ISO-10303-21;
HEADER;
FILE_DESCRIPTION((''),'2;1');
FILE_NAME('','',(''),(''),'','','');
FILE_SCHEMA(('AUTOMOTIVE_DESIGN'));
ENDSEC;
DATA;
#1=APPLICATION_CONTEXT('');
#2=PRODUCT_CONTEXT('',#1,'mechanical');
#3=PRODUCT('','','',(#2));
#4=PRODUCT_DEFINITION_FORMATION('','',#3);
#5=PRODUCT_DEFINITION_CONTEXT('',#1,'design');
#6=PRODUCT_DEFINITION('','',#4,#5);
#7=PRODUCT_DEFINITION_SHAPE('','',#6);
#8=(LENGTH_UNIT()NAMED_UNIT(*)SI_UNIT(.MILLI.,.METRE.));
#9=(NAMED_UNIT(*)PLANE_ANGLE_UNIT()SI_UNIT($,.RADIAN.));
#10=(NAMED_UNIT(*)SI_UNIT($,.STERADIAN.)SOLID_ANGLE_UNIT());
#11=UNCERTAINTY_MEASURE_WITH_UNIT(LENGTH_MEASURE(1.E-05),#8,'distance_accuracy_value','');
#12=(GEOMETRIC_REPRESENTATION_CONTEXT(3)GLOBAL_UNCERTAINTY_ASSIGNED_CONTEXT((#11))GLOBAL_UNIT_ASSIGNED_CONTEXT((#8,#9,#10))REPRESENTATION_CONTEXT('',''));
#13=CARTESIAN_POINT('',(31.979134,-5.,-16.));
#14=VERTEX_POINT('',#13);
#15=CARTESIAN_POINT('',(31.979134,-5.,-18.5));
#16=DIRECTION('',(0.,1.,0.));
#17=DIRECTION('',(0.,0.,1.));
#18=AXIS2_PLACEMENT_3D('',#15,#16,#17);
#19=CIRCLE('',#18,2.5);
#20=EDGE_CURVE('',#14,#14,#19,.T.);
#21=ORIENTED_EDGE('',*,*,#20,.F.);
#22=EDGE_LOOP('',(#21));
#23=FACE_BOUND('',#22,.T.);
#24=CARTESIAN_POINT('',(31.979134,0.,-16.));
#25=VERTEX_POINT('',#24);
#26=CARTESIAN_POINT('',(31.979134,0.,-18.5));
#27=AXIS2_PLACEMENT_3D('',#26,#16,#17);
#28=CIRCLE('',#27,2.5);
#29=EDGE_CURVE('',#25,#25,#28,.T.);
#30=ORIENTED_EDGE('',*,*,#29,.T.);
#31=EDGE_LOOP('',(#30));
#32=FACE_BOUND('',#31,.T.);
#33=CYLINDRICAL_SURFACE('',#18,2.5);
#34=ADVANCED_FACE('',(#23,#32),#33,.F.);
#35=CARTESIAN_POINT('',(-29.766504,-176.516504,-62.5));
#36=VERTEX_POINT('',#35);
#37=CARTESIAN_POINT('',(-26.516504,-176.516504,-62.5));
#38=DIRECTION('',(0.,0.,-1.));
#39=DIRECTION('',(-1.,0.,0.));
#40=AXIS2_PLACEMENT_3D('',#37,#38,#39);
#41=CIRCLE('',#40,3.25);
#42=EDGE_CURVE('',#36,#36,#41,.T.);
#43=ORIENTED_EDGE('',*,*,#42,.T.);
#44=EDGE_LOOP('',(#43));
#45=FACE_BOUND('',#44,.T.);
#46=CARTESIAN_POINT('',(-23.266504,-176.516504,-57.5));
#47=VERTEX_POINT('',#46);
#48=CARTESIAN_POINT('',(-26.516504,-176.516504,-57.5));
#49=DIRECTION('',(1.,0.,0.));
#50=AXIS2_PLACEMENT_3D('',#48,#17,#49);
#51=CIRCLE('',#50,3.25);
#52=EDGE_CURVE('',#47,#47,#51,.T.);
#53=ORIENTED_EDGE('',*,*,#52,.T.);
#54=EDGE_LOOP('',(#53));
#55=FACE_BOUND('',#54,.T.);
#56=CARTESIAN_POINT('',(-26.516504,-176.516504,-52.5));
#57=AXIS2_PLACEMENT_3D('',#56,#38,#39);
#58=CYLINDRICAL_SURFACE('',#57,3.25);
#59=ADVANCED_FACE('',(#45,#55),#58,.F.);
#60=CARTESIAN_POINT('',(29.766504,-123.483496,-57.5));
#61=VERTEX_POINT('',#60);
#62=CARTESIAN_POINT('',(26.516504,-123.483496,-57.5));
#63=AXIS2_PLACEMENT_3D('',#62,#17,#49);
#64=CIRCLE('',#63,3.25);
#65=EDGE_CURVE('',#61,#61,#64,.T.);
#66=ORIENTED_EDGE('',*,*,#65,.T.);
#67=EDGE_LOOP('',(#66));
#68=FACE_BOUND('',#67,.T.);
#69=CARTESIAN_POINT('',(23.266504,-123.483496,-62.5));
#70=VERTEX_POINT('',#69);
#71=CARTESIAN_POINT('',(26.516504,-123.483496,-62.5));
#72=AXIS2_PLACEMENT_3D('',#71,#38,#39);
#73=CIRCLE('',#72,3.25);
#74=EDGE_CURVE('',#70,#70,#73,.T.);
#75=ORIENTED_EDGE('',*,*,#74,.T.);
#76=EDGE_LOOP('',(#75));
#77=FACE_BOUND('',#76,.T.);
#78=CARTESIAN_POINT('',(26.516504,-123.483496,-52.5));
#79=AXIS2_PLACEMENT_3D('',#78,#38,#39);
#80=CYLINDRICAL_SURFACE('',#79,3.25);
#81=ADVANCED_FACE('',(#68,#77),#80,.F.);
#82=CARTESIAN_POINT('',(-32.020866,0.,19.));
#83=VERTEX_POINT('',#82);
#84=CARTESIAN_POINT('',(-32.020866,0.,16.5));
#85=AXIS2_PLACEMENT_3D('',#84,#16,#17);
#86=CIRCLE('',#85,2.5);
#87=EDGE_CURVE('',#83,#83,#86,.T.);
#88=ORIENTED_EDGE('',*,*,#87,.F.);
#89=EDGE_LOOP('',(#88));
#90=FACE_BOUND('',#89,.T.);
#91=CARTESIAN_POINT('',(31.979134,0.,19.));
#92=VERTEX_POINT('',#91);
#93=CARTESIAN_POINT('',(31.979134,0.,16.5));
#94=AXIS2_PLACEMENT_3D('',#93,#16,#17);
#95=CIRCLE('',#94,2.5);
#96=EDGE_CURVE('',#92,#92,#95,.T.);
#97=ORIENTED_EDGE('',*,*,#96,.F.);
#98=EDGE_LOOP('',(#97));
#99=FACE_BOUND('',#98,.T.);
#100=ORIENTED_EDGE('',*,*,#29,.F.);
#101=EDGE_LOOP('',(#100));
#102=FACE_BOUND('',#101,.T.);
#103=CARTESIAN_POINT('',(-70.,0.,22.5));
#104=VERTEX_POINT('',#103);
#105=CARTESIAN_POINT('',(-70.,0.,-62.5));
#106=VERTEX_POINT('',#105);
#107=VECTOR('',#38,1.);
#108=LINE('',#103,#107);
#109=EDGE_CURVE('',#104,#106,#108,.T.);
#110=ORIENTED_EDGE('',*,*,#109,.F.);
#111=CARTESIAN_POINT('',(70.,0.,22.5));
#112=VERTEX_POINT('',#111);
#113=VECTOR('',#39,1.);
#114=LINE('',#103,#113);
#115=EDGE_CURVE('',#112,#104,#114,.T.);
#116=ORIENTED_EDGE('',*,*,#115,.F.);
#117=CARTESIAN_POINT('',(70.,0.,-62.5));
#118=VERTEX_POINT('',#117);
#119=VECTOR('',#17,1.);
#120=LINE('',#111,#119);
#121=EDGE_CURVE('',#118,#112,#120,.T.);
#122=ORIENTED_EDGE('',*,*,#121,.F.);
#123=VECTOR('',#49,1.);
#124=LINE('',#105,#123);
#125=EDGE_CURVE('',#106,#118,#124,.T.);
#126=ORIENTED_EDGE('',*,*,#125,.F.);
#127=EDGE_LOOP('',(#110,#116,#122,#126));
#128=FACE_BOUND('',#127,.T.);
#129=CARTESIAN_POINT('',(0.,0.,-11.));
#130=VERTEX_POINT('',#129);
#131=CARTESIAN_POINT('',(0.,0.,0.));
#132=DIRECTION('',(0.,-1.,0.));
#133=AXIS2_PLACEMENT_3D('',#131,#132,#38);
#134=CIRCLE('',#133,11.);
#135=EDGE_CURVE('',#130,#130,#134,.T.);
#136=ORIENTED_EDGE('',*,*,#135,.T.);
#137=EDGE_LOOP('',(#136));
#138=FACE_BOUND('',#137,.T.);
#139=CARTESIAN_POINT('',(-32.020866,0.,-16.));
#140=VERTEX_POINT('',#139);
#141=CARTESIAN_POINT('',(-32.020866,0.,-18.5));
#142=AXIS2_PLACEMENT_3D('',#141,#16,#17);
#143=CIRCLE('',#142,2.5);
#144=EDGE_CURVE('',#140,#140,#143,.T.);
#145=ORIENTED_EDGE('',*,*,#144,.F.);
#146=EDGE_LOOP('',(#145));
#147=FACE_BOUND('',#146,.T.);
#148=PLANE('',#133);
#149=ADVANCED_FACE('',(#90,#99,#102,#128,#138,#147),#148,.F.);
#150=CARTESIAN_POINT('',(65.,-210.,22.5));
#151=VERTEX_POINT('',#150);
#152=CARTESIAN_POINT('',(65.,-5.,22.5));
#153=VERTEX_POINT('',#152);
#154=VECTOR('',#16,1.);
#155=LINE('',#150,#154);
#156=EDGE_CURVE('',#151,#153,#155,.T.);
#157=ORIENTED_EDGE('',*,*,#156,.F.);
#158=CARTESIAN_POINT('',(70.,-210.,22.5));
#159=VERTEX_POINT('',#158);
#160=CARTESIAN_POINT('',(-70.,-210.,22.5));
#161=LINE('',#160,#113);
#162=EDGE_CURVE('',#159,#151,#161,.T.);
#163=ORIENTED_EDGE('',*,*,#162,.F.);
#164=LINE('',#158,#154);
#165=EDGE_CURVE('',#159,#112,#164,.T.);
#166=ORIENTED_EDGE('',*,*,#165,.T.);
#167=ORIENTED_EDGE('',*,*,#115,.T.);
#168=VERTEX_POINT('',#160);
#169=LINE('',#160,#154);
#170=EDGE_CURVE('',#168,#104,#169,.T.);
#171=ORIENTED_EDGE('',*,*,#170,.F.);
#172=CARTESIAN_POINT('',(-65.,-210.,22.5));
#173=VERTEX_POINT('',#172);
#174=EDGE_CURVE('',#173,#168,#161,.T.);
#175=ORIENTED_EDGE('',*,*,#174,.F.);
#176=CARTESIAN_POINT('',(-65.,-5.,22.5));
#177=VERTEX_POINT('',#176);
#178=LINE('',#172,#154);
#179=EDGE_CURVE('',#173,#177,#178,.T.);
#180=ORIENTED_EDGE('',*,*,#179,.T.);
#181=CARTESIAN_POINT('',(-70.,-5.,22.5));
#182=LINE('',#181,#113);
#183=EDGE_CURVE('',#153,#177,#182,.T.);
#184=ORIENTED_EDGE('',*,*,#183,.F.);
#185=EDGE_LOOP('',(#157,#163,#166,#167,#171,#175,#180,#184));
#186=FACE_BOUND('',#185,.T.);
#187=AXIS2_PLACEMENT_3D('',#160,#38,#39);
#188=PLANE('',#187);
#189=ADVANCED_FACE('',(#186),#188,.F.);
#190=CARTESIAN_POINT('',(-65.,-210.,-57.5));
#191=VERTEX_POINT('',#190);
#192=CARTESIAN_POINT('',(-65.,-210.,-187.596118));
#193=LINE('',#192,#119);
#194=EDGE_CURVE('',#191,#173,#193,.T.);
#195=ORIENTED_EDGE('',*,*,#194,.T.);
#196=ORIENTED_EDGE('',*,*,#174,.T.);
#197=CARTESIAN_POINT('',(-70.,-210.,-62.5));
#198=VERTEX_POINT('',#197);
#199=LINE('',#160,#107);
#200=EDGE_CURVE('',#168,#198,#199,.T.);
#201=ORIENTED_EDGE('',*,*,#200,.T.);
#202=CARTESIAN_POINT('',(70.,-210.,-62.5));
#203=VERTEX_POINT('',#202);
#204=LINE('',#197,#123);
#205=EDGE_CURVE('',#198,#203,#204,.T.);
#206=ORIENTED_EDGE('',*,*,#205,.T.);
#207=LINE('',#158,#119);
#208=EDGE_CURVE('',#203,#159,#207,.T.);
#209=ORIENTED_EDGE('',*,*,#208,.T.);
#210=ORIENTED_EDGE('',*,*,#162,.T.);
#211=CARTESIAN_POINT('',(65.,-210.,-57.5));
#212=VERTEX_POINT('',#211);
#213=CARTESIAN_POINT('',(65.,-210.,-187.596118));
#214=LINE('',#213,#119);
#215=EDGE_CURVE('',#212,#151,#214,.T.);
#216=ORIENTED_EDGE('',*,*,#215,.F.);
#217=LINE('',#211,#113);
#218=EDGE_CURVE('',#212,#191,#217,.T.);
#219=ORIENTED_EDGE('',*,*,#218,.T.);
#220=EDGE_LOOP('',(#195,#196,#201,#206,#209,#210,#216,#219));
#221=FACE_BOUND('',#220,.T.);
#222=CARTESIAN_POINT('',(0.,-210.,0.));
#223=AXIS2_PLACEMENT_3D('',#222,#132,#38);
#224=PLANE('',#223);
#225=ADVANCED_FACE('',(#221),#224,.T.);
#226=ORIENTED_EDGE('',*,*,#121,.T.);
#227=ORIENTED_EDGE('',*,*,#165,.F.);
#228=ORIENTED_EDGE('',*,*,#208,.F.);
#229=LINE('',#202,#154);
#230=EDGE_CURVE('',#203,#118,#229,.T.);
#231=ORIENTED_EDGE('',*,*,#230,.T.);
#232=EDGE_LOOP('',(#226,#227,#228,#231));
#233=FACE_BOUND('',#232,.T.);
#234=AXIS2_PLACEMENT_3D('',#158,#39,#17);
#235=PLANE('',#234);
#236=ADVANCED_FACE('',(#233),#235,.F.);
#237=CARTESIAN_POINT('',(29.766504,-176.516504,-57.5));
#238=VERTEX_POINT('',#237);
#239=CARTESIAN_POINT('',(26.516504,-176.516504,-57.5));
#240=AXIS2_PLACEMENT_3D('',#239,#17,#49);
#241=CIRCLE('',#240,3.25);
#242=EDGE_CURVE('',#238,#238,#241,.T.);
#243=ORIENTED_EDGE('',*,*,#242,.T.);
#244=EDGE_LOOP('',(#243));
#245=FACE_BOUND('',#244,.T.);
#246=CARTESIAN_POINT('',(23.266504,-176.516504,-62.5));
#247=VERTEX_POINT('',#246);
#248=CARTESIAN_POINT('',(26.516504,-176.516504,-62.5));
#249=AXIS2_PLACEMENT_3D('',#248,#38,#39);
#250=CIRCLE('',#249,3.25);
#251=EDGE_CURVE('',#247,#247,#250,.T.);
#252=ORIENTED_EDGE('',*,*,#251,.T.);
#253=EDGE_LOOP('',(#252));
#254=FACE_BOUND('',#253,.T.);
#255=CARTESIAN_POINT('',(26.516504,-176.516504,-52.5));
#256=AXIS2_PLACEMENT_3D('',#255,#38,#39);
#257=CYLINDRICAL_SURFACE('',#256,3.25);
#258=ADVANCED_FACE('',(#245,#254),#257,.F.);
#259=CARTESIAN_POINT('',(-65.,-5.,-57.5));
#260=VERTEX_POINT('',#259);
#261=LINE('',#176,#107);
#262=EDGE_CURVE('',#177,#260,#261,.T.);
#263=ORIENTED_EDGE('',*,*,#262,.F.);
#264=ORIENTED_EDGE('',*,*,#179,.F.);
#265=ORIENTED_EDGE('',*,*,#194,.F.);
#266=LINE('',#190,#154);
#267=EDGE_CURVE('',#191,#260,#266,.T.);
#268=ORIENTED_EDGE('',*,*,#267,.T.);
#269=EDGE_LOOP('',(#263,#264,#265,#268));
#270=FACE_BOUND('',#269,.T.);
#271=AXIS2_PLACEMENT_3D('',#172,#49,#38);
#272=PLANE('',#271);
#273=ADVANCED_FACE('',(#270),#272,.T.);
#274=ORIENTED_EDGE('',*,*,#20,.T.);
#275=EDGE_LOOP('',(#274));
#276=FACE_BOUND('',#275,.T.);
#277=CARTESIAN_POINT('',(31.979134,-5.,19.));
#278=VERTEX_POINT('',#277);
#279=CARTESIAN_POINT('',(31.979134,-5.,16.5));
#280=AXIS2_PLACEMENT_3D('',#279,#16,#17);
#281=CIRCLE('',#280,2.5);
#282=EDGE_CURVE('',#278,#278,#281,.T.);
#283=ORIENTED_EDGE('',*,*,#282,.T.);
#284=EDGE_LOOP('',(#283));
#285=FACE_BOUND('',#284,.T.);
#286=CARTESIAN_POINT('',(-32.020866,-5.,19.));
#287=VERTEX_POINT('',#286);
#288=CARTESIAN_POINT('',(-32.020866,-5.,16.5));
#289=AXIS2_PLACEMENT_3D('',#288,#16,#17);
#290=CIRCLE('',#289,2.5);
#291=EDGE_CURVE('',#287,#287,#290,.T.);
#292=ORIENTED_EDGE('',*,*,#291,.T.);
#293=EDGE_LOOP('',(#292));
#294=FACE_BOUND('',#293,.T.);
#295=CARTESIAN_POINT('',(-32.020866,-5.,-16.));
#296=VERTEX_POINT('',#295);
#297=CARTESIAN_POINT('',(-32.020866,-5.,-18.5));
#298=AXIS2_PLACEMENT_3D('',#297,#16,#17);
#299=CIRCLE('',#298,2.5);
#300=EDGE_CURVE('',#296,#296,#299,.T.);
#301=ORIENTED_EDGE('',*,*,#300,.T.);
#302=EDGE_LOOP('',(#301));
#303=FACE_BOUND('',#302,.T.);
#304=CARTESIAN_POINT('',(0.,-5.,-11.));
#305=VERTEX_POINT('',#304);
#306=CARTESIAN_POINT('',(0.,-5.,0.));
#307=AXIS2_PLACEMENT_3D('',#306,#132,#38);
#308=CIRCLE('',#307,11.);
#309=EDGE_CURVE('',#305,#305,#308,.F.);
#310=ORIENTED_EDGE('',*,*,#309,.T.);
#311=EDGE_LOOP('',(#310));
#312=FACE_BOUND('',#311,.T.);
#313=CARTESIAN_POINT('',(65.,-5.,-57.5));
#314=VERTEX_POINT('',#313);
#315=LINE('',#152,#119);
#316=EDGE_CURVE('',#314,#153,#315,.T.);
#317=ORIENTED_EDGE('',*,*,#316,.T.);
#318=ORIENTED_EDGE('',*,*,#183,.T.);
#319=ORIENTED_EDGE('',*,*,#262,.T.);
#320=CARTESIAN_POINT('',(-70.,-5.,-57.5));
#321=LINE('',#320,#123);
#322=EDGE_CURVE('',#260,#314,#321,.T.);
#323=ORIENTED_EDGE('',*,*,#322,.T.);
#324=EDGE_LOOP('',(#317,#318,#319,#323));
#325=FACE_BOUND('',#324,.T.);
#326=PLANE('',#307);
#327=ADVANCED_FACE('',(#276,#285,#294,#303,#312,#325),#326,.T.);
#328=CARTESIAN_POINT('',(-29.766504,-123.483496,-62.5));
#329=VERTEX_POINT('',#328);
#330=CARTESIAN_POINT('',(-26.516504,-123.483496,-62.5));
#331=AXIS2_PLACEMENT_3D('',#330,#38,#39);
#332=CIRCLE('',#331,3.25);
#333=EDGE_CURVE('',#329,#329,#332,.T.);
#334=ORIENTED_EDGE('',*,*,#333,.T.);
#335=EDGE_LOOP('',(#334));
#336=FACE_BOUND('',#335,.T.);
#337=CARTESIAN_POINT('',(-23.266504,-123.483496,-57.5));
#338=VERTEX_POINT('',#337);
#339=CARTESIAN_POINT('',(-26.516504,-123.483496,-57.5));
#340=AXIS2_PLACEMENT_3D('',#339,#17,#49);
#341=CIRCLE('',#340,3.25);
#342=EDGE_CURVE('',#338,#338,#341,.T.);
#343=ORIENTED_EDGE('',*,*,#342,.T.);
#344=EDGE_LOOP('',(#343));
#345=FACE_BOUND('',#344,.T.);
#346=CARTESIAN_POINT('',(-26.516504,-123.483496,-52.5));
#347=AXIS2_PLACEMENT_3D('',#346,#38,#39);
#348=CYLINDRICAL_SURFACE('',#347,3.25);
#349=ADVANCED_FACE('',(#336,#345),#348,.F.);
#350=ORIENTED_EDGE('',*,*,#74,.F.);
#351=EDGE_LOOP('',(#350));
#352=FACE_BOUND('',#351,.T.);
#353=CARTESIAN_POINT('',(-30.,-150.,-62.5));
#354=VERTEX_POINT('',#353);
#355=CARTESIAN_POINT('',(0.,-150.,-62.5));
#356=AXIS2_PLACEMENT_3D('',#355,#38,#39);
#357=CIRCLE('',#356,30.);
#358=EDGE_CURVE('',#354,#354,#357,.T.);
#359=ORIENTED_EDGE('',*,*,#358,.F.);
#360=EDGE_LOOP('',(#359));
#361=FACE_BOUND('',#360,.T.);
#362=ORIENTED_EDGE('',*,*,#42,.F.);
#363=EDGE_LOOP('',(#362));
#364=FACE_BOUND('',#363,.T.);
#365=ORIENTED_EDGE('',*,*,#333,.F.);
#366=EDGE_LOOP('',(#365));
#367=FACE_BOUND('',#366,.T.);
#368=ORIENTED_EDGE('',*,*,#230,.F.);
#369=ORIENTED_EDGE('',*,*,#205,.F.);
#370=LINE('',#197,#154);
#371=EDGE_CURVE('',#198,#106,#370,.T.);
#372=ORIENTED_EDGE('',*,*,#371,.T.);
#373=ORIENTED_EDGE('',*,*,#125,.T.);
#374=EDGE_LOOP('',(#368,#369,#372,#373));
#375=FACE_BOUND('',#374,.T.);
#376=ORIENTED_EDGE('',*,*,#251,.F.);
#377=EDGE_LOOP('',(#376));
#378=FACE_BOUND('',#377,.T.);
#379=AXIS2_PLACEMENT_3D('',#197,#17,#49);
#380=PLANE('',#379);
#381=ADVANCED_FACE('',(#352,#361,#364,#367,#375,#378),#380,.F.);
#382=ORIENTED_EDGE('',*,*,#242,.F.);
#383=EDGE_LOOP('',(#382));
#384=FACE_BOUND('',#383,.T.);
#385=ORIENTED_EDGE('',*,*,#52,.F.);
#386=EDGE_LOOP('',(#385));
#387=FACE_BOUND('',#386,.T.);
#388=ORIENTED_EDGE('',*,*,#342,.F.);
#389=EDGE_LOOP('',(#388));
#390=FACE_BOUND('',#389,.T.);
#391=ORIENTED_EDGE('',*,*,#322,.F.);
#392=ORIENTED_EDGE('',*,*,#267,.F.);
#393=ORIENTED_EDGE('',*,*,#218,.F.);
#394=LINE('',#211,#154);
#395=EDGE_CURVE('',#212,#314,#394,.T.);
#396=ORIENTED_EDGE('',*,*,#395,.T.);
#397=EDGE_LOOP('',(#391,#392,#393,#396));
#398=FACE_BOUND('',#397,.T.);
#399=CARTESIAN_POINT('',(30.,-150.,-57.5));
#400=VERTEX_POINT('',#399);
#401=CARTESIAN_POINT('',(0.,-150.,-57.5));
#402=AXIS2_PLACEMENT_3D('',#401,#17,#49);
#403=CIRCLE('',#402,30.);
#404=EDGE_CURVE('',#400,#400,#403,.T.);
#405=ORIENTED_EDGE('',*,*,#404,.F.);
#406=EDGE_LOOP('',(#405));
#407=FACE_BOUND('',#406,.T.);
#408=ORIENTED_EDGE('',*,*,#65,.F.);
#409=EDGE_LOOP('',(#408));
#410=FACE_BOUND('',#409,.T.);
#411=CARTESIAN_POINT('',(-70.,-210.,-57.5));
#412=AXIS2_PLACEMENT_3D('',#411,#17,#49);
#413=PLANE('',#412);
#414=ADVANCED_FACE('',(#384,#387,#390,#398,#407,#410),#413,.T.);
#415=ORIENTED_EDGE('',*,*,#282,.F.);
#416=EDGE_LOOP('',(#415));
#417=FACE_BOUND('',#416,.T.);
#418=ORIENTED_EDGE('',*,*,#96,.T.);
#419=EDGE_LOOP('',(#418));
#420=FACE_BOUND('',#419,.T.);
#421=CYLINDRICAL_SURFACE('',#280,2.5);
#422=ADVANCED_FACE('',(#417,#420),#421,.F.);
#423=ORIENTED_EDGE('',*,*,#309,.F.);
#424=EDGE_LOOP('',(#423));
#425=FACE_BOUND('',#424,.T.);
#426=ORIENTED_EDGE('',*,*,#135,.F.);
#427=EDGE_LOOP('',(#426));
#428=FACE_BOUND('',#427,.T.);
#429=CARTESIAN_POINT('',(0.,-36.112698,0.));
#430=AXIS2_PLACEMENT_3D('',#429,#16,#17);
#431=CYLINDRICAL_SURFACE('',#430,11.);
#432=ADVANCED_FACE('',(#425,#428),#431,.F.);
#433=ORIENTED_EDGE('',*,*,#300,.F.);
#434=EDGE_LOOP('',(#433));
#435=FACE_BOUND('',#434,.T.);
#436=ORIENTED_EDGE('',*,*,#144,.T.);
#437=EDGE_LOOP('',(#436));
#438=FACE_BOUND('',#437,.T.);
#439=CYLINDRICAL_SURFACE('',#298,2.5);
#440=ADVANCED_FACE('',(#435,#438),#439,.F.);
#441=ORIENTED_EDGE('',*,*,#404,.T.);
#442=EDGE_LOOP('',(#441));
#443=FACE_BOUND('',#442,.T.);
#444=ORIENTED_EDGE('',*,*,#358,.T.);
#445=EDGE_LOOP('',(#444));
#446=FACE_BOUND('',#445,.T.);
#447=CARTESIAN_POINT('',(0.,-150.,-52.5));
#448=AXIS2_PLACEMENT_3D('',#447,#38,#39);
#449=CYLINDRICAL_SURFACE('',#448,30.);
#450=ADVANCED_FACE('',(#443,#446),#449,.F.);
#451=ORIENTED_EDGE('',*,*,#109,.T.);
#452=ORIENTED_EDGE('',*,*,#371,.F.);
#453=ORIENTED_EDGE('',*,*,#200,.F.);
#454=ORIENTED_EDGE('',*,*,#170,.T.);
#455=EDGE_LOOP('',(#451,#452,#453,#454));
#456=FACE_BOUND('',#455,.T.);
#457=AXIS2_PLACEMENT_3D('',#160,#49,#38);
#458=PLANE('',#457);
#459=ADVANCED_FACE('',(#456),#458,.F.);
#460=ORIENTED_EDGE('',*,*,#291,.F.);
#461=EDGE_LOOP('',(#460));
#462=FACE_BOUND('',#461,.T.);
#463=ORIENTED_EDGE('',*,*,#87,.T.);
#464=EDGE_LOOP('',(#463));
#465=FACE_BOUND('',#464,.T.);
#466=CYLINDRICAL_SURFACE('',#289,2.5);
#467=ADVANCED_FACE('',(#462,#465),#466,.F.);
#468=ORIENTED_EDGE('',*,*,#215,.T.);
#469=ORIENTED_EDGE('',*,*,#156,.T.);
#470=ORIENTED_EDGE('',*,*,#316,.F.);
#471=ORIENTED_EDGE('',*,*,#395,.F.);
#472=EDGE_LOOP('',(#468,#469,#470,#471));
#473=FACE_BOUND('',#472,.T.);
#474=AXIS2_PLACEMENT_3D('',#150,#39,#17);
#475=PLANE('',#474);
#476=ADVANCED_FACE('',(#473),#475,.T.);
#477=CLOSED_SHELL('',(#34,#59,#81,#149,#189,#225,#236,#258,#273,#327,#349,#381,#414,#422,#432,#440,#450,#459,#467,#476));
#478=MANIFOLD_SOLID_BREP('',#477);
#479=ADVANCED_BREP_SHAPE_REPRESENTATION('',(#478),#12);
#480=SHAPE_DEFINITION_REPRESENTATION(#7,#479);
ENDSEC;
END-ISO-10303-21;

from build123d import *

# Parameters (mm, degrees)
SKETCH_1_R          = 13
EXTRUDE_1_DEPTH     = 20
SKETCH_2_R          = 13
EXTRUDE_2_DEPTH     = 400
SKETCH_4_W          = 140
SKETCH_4_H          = 85
EXTRUDE_3_DEPTH     = 210
SHELL_2_T           = -5
SKETCH_5_W          = 130
SKETCH_5_H          = 5
CUT_EXTRUDE_3_DEPTH = 80
SKETCH_6_R          = 30
SKETCH_6_R_2        = 3.25
CUT_EXTRUDE_4_DEPTH = 10
SKETCH_3_R          = 11
CUT_EXTRUDE_5_DEPTH = 425
SKETCH_7_R          = 13
CUT_EXTRUDE_6_DEPTH = 420
SKETCH_8_R          = 2.5
CUT_EXTRUDE_7_DEPTH = 5


with BuildPart() as part:
    # 草图1 → 凸台-拉伸1 (new body)
    with BuildSketch(Plane(origin=(0, 0, 0), x_dir=(1, 0, 0), z_dir=(0, 1, 0))):
        Circle(SKETCH_1_R)
    extrude(amount=EXTRUDE_1_DEPTH)

    # 草图2 → 凸台-拉伸2 (add)
    with BuildSketch(Plane(origin=(0, 20, 0), x_dir=(1, 0, 0), z_dir=(0, 1, 0))):
        Circle(SKETCH_2_R)
    extrude(amount=EXTRUDE_2_DEPTH)


with BuildPart() as body_2:
    # 草图4 → 凸台-拉伸3 (new body)
    with BuildSketch(Plane.XZ):
        with Locations((0, -20)):
            Rectangle(SKETCH_4_W, SKETCH_4_H)
    extrude(amount=EXTRUDE_3_DEPTH)

    # 抽壳2
    shell_2_openings = [body_2.faces().sort_by_distance(p)[0] for p in [
        (0, -105, 22.5),
    ]]
    offset(amount=SHELL_2_T, openings=shell_2_openings, kind=Kind.INTERSECTION)

    # 草图5 → 切除-拉伸3 (cut)
    with BuildSketch(Plane.XY.offset(22.5)):
        with Locations((0, -207.5)):
            Rectangle(SKETCH_5_W, SKETCH_5_H)
    extrude(amount=-CUT_EXTRUDE_3_DEPTH, mode=Mode.SUBTRACT)

    # 草图6 → 切除-拉伸4 (cut)
    with BuildSketch(Plane(origin=(0, 0, -62.5), x_dir=(-1, 0, 0), z_dir=(0, 0, -1))):
        with Locations((0, -150)):
            Circle(SKETCH_6_R)
        with Locations((26.516504294, -123.483495706)):
            Circle(SKETCH_6_R_2)
        with Locations((26.516504294, -176.516504294)):
            Circle(SKETCH_6_R_2)
        with Locations((-26.516504294, -176.516504294)):
            Circle(SKETCH_6_R_2)
        with Locations((-26.516504294, -123.483495706)):
            Circle(SKETCH_6_R_2)
    extrude(amount=-CUT_EXTRUDE_4_DEPTH, mode=Mode.SUBTRACT)


with BuildPart() as cut_extrude_5_tool:
    # 草图3 → 切除-拉伸5 (new body)
    with BuildSketch(Plane(origin=(0, 420, 0), x_dir=(1, 0, 0), z_dir=(0, 1, 0))):
        Circle(SKETCH_3_R)
    extrude(amount=-CUT_EXTRUDE_5_DEPTH)


with BuildPart() as part_1:
    add(part.part)

    # 切除-拉伸5: cut by cut_extrude_5_tool
    add(cut_extrude_5_tool.part, mode=Mode.SUBTRACT)

    # 草图7 → 切除-拉伸6 (cut)
    with BuildSketch(Plane(origin=(0, 420, 0), x_dir=(1, 0, 0), z_dir=(0, 1, 0))):
        Circle(SKETCH_7_R)
    extrude(amount=-CUT_EXTRUDE_6_DEPTH, mode=Mode.SUBTRACT)


with BuildPart() as body_2_1:
    add(body_2.part)

    # 切除-拉伸5: cut by cut_extrude_5_tool
    add(cut_extrude_5_tool.part, mode=Mode.SUBTRACT)

    # 草图8 → 切除-拉伸7 (cut)
    with BuildSketch(Plane(origin=(0, 0, 0), x_dir=(1, 0, 0), z_dir=(0, 1, 0))):
        with Locations((-32.020865922, -16.5)):
            Circle(SKETCH_8_R)
        with Locations((-32.020865922, 18.5)):
            Circle(SKETCH_8_R)
        with Locations((31.979134078, -16.5)):
            Circle(SKETCH_8_R)
        with Locations((31.979134078, 18.5)):
            Circle(SKETCH_8_R)
    extrude(amount=-CUT_EXTRUDE_7_DEPTH, mode=Mode.SUBTRACT)


solid = body_2_1.part
